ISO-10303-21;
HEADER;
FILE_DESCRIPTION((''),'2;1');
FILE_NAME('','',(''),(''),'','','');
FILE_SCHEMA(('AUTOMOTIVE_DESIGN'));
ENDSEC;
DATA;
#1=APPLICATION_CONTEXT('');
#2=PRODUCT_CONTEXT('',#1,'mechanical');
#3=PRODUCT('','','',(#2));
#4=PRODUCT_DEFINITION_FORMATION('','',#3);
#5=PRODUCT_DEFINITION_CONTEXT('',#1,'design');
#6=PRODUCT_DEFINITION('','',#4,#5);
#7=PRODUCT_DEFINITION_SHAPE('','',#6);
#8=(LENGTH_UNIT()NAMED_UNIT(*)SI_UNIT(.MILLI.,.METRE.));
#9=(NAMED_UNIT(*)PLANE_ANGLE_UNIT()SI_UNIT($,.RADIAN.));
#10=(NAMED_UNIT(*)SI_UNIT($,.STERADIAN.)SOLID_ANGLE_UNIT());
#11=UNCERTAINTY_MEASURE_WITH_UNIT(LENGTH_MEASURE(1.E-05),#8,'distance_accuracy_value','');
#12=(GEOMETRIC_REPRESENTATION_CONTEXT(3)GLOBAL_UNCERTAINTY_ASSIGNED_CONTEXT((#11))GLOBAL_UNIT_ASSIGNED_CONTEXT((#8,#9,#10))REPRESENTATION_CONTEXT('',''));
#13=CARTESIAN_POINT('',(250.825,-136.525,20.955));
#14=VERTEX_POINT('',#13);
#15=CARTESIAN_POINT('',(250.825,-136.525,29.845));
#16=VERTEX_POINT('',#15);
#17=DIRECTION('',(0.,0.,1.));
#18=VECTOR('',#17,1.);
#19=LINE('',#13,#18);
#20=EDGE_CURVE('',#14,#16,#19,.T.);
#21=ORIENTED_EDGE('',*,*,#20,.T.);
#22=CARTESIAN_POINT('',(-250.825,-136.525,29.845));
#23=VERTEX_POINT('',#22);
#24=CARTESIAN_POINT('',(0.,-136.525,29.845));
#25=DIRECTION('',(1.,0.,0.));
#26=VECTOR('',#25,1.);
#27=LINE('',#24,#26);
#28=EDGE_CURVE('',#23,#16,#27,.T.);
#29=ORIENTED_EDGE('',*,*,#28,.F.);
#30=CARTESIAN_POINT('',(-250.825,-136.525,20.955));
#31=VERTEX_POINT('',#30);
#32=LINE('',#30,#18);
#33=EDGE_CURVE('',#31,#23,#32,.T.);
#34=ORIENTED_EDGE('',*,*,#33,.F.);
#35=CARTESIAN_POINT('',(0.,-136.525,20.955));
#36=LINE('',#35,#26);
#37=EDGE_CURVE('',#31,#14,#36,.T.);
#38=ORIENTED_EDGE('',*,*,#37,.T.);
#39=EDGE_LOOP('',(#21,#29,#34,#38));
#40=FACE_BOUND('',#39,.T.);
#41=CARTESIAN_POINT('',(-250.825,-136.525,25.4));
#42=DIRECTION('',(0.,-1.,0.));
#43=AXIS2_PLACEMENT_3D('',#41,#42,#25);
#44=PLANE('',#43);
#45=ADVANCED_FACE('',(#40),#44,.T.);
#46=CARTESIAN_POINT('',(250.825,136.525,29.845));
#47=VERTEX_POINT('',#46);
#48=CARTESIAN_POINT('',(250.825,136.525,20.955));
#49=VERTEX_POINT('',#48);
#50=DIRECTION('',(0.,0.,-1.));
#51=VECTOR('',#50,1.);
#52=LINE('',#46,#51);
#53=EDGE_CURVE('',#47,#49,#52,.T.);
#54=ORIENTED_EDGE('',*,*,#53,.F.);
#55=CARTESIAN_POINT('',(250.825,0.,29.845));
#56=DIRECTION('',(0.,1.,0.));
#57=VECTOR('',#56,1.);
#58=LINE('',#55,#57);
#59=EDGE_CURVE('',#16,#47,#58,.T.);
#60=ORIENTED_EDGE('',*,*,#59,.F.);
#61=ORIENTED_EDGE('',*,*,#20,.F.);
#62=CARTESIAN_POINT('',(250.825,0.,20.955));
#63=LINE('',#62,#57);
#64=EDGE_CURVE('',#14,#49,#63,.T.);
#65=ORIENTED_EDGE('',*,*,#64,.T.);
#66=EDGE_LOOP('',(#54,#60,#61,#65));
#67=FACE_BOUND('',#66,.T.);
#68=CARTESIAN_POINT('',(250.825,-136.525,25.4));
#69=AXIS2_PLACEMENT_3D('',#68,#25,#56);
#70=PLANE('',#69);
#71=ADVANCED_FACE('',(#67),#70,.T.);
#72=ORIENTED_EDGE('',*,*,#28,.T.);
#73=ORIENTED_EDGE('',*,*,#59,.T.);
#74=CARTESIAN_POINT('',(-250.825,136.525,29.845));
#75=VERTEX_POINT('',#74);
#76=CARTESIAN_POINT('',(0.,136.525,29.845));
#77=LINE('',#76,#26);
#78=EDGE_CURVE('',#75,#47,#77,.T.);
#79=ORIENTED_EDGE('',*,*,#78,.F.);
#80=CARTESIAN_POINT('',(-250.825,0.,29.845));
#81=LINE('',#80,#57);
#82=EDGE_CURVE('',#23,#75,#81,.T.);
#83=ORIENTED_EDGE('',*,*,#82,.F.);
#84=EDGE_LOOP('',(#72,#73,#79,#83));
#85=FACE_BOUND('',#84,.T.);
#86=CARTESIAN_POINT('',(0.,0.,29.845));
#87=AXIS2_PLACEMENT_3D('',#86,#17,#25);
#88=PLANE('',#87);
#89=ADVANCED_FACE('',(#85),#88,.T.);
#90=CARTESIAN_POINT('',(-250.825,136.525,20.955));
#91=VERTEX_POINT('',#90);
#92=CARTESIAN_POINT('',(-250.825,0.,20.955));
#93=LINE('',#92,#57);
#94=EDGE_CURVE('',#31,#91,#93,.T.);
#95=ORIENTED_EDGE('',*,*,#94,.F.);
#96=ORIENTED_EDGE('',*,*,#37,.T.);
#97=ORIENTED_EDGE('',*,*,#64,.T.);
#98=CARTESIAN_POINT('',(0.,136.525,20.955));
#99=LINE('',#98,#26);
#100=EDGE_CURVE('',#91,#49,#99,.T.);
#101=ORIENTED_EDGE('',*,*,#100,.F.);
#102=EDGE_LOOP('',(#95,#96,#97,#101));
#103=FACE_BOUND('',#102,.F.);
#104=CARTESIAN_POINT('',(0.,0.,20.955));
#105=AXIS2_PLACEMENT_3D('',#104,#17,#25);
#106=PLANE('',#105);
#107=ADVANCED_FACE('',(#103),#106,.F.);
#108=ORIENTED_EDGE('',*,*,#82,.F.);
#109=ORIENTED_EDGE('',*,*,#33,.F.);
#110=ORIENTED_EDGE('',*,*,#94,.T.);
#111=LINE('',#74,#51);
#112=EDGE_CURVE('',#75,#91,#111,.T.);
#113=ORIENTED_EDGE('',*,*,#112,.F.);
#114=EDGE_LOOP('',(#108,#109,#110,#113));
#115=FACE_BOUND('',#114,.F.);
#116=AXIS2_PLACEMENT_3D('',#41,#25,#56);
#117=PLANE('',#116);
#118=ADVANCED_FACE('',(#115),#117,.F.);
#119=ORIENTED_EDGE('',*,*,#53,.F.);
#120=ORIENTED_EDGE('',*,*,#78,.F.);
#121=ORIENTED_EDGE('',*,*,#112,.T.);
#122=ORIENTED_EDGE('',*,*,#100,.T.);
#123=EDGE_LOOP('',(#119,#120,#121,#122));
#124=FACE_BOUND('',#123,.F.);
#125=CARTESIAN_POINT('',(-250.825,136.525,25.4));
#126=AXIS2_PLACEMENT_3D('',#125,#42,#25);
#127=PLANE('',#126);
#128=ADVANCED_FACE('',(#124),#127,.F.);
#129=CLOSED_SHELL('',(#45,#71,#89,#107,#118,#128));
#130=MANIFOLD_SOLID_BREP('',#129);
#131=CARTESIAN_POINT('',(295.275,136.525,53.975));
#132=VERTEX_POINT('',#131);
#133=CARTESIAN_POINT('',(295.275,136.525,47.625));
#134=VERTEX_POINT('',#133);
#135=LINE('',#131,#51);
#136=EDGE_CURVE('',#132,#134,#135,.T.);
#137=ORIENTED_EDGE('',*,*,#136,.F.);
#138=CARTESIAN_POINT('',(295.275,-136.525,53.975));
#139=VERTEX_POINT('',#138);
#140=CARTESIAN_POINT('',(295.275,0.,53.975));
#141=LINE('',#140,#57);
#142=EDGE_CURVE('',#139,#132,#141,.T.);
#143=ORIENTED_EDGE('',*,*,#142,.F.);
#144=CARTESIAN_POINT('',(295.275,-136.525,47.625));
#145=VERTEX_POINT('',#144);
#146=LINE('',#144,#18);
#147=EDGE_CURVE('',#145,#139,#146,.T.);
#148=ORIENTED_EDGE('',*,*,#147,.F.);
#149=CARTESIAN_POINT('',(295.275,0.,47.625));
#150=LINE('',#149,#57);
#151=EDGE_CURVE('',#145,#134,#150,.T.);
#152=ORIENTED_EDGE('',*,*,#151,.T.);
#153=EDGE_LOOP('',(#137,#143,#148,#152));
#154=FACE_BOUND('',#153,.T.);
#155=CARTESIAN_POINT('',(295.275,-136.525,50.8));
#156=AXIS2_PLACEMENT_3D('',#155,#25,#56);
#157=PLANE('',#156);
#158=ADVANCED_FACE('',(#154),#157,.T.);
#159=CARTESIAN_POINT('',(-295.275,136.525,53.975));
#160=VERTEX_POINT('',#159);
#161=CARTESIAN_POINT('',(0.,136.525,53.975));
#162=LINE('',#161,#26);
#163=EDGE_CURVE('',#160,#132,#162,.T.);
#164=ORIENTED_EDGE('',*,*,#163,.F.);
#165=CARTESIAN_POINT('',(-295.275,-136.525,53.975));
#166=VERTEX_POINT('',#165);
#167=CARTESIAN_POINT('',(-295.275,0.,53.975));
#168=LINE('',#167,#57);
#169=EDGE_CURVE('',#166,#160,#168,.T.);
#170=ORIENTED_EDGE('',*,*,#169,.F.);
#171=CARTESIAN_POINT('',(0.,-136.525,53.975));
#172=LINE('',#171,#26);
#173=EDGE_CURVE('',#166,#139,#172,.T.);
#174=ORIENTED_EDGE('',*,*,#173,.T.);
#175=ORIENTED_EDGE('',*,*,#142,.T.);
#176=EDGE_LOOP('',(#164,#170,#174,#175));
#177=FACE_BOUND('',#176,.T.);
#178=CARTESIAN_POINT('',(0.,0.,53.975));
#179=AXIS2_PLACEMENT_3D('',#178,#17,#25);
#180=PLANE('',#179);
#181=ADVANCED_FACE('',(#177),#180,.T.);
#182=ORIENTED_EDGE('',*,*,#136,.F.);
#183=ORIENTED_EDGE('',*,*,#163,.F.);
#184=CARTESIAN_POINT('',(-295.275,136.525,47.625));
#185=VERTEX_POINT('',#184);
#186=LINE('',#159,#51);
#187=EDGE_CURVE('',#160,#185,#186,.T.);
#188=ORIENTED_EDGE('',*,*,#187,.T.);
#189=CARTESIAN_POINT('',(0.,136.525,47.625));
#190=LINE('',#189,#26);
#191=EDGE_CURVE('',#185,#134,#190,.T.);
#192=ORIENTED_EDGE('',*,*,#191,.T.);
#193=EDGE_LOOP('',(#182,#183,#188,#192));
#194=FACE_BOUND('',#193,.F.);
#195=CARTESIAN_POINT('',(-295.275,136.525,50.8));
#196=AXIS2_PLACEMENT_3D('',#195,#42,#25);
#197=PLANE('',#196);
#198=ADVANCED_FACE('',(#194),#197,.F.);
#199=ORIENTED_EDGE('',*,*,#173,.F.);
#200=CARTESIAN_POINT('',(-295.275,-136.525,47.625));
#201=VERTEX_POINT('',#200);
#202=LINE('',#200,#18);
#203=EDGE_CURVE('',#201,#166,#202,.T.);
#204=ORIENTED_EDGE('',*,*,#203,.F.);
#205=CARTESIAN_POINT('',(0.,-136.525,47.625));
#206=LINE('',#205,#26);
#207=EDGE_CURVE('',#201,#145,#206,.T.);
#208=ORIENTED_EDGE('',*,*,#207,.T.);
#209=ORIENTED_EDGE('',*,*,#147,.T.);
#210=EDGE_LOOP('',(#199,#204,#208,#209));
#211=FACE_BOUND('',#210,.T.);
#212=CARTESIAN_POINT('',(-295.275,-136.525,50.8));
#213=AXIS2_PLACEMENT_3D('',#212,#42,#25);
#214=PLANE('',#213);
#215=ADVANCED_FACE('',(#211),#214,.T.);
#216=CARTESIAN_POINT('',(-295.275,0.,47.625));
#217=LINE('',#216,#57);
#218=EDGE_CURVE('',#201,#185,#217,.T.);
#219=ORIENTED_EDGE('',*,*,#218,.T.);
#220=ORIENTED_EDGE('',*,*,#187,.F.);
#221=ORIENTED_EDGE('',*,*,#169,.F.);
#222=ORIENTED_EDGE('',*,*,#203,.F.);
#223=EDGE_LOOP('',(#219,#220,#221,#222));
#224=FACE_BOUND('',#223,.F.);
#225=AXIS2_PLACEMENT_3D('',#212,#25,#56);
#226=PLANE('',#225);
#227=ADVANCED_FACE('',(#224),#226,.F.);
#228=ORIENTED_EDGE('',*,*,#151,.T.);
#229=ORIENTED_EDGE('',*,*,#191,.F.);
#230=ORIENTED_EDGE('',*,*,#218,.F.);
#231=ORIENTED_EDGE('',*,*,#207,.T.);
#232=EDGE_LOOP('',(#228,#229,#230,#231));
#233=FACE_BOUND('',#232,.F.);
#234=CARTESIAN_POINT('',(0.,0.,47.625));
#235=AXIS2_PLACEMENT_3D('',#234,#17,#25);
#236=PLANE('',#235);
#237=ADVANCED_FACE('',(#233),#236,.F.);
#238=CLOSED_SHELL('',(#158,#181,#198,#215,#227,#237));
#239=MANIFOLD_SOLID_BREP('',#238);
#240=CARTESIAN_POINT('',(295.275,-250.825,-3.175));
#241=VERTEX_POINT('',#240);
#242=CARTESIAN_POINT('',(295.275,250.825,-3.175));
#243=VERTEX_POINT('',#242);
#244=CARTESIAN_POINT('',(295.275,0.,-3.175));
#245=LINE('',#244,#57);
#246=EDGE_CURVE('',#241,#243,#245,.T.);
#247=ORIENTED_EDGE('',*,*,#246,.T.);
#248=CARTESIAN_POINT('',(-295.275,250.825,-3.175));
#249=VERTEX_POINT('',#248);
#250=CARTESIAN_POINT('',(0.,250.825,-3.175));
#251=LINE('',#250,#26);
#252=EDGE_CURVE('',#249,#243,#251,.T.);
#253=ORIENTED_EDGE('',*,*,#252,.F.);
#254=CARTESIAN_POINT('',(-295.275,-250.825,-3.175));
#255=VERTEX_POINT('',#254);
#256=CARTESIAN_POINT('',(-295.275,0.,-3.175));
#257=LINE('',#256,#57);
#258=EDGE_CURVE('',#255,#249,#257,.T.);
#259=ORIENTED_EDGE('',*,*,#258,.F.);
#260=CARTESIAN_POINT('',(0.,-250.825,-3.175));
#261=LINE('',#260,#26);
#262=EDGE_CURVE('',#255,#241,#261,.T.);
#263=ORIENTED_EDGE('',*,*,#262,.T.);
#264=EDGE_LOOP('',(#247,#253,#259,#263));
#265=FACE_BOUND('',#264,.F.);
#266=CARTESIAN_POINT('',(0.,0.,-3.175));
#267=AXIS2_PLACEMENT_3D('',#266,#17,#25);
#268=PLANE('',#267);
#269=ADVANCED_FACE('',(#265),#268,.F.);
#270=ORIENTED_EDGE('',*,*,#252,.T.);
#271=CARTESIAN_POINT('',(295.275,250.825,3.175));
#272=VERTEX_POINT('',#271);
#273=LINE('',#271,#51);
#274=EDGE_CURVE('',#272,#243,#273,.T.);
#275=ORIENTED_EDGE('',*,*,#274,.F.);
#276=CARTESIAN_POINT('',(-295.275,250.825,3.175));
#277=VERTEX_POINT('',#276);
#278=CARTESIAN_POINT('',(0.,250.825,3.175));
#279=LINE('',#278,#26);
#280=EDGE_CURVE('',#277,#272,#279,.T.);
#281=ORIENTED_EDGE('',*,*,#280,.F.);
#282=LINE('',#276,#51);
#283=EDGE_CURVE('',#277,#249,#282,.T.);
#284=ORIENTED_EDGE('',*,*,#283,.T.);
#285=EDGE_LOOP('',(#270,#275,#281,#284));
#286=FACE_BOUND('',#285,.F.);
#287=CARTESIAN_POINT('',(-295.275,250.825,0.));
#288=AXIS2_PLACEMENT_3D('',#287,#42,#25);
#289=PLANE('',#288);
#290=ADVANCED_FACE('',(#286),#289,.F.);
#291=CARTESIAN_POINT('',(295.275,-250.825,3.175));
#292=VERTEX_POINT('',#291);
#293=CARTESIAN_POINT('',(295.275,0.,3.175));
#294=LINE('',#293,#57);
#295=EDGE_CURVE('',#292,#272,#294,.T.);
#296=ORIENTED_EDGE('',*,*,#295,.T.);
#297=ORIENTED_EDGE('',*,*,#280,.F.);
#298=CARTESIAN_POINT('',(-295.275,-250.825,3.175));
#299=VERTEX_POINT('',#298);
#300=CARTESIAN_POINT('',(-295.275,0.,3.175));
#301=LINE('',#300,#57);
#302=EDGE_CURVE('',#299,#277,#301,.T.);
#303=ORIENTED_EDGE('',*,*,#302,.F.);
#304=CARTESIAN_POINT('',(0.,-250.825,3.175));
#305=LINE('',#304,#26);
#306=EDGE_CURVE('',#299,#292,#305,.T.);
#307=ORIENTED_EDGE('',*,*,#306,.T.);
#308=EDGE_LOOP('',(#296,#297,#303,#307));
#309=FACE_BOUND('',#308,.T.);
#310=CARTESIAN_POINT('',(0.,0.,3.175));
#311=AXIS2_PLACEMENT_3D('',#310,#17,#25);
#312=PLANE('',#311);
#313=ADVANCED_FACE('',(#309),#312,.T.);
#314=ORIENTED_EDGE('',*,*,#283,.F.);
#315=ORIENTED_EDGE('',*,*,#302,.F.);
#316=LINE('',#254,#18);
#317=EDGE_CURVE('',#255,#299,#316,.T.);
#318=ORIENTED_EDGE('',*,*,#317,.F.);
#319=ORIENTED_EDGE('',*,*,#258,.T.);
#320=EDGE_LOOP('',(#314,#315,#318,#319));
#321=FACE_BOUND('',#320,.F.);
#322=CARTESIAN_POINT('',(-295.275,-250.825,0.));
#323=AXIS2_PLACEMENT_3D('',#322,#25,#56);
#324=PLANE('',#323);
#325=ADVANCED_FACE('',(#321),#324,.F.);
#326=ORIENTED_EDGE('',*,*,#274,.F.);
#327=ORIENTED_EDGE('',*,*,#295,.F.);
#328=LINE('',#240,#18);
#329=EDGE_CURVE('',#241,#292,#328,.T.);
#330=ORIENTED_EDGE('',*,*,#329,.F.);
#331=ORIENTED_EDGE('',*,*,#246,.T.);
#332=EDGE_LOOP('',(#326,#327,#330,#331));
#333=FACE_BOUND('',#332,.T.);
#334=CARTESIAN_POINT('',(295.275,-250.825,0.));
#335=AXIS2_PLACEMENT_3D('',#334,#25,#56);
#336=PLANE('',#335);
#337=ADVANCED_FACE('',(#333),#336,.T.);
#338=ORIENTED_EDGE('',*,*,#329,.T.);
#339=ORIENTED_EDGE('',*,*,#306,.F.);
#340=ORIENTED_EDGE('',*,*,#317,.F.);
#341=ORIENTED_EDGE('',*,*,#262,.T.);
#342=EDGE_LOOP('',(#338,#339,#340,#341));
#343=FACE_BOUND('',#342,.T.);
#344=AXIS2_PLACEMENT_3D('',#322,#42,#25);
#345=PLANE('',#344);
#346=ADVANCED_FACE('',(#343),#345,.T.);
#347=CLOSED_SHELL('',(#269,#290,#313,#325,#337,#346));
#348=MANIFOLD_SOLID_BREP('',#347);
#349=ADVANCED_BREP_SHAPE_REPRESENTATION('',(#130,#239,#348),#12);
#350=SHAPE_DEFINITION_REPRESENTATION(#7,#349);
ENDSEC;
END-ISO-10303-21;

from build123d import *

# Parameters (mm, degrees)
F2_W     = 590.55
F2_H     = 501.65
F3_DEPTH = 3.175
F4_W     = 501.65
F4_H     = 273.05
F5_DEPTH = 4.445
F6_W     = 590.55
F6_H     = 273.05
F7_DEPTH = 3.175


with BuildPart() as f3:
    # F2 (on Top) → F3 (new body, symmetric)
    with BuildSketch(Plane.XY):
        Rectangle(F2_W, F2_H)
    extrude(amount=F3_DEPTH, both=True)


with BuildPart() as f5:
    # F4 (on offset) → F5 (new body, symmetric)
    with BuildSketch(Plane.XY.offset(25.4)):
        Rectangle(F4_W, F4_H)
    extrude(amount=F5_DEPTH, both=True)


with BuildPart() as f7:
    # F6 (on offset) → F7 (new body, symmetric)
    with BuildSketch(Plane.XY.offset(50.8)):
        Rectangle(F6_W, F6_H)
    extrude(amount=F7_DEPTH, both=True)


solid = Compound([f3.part, f5.part, f7.part])
